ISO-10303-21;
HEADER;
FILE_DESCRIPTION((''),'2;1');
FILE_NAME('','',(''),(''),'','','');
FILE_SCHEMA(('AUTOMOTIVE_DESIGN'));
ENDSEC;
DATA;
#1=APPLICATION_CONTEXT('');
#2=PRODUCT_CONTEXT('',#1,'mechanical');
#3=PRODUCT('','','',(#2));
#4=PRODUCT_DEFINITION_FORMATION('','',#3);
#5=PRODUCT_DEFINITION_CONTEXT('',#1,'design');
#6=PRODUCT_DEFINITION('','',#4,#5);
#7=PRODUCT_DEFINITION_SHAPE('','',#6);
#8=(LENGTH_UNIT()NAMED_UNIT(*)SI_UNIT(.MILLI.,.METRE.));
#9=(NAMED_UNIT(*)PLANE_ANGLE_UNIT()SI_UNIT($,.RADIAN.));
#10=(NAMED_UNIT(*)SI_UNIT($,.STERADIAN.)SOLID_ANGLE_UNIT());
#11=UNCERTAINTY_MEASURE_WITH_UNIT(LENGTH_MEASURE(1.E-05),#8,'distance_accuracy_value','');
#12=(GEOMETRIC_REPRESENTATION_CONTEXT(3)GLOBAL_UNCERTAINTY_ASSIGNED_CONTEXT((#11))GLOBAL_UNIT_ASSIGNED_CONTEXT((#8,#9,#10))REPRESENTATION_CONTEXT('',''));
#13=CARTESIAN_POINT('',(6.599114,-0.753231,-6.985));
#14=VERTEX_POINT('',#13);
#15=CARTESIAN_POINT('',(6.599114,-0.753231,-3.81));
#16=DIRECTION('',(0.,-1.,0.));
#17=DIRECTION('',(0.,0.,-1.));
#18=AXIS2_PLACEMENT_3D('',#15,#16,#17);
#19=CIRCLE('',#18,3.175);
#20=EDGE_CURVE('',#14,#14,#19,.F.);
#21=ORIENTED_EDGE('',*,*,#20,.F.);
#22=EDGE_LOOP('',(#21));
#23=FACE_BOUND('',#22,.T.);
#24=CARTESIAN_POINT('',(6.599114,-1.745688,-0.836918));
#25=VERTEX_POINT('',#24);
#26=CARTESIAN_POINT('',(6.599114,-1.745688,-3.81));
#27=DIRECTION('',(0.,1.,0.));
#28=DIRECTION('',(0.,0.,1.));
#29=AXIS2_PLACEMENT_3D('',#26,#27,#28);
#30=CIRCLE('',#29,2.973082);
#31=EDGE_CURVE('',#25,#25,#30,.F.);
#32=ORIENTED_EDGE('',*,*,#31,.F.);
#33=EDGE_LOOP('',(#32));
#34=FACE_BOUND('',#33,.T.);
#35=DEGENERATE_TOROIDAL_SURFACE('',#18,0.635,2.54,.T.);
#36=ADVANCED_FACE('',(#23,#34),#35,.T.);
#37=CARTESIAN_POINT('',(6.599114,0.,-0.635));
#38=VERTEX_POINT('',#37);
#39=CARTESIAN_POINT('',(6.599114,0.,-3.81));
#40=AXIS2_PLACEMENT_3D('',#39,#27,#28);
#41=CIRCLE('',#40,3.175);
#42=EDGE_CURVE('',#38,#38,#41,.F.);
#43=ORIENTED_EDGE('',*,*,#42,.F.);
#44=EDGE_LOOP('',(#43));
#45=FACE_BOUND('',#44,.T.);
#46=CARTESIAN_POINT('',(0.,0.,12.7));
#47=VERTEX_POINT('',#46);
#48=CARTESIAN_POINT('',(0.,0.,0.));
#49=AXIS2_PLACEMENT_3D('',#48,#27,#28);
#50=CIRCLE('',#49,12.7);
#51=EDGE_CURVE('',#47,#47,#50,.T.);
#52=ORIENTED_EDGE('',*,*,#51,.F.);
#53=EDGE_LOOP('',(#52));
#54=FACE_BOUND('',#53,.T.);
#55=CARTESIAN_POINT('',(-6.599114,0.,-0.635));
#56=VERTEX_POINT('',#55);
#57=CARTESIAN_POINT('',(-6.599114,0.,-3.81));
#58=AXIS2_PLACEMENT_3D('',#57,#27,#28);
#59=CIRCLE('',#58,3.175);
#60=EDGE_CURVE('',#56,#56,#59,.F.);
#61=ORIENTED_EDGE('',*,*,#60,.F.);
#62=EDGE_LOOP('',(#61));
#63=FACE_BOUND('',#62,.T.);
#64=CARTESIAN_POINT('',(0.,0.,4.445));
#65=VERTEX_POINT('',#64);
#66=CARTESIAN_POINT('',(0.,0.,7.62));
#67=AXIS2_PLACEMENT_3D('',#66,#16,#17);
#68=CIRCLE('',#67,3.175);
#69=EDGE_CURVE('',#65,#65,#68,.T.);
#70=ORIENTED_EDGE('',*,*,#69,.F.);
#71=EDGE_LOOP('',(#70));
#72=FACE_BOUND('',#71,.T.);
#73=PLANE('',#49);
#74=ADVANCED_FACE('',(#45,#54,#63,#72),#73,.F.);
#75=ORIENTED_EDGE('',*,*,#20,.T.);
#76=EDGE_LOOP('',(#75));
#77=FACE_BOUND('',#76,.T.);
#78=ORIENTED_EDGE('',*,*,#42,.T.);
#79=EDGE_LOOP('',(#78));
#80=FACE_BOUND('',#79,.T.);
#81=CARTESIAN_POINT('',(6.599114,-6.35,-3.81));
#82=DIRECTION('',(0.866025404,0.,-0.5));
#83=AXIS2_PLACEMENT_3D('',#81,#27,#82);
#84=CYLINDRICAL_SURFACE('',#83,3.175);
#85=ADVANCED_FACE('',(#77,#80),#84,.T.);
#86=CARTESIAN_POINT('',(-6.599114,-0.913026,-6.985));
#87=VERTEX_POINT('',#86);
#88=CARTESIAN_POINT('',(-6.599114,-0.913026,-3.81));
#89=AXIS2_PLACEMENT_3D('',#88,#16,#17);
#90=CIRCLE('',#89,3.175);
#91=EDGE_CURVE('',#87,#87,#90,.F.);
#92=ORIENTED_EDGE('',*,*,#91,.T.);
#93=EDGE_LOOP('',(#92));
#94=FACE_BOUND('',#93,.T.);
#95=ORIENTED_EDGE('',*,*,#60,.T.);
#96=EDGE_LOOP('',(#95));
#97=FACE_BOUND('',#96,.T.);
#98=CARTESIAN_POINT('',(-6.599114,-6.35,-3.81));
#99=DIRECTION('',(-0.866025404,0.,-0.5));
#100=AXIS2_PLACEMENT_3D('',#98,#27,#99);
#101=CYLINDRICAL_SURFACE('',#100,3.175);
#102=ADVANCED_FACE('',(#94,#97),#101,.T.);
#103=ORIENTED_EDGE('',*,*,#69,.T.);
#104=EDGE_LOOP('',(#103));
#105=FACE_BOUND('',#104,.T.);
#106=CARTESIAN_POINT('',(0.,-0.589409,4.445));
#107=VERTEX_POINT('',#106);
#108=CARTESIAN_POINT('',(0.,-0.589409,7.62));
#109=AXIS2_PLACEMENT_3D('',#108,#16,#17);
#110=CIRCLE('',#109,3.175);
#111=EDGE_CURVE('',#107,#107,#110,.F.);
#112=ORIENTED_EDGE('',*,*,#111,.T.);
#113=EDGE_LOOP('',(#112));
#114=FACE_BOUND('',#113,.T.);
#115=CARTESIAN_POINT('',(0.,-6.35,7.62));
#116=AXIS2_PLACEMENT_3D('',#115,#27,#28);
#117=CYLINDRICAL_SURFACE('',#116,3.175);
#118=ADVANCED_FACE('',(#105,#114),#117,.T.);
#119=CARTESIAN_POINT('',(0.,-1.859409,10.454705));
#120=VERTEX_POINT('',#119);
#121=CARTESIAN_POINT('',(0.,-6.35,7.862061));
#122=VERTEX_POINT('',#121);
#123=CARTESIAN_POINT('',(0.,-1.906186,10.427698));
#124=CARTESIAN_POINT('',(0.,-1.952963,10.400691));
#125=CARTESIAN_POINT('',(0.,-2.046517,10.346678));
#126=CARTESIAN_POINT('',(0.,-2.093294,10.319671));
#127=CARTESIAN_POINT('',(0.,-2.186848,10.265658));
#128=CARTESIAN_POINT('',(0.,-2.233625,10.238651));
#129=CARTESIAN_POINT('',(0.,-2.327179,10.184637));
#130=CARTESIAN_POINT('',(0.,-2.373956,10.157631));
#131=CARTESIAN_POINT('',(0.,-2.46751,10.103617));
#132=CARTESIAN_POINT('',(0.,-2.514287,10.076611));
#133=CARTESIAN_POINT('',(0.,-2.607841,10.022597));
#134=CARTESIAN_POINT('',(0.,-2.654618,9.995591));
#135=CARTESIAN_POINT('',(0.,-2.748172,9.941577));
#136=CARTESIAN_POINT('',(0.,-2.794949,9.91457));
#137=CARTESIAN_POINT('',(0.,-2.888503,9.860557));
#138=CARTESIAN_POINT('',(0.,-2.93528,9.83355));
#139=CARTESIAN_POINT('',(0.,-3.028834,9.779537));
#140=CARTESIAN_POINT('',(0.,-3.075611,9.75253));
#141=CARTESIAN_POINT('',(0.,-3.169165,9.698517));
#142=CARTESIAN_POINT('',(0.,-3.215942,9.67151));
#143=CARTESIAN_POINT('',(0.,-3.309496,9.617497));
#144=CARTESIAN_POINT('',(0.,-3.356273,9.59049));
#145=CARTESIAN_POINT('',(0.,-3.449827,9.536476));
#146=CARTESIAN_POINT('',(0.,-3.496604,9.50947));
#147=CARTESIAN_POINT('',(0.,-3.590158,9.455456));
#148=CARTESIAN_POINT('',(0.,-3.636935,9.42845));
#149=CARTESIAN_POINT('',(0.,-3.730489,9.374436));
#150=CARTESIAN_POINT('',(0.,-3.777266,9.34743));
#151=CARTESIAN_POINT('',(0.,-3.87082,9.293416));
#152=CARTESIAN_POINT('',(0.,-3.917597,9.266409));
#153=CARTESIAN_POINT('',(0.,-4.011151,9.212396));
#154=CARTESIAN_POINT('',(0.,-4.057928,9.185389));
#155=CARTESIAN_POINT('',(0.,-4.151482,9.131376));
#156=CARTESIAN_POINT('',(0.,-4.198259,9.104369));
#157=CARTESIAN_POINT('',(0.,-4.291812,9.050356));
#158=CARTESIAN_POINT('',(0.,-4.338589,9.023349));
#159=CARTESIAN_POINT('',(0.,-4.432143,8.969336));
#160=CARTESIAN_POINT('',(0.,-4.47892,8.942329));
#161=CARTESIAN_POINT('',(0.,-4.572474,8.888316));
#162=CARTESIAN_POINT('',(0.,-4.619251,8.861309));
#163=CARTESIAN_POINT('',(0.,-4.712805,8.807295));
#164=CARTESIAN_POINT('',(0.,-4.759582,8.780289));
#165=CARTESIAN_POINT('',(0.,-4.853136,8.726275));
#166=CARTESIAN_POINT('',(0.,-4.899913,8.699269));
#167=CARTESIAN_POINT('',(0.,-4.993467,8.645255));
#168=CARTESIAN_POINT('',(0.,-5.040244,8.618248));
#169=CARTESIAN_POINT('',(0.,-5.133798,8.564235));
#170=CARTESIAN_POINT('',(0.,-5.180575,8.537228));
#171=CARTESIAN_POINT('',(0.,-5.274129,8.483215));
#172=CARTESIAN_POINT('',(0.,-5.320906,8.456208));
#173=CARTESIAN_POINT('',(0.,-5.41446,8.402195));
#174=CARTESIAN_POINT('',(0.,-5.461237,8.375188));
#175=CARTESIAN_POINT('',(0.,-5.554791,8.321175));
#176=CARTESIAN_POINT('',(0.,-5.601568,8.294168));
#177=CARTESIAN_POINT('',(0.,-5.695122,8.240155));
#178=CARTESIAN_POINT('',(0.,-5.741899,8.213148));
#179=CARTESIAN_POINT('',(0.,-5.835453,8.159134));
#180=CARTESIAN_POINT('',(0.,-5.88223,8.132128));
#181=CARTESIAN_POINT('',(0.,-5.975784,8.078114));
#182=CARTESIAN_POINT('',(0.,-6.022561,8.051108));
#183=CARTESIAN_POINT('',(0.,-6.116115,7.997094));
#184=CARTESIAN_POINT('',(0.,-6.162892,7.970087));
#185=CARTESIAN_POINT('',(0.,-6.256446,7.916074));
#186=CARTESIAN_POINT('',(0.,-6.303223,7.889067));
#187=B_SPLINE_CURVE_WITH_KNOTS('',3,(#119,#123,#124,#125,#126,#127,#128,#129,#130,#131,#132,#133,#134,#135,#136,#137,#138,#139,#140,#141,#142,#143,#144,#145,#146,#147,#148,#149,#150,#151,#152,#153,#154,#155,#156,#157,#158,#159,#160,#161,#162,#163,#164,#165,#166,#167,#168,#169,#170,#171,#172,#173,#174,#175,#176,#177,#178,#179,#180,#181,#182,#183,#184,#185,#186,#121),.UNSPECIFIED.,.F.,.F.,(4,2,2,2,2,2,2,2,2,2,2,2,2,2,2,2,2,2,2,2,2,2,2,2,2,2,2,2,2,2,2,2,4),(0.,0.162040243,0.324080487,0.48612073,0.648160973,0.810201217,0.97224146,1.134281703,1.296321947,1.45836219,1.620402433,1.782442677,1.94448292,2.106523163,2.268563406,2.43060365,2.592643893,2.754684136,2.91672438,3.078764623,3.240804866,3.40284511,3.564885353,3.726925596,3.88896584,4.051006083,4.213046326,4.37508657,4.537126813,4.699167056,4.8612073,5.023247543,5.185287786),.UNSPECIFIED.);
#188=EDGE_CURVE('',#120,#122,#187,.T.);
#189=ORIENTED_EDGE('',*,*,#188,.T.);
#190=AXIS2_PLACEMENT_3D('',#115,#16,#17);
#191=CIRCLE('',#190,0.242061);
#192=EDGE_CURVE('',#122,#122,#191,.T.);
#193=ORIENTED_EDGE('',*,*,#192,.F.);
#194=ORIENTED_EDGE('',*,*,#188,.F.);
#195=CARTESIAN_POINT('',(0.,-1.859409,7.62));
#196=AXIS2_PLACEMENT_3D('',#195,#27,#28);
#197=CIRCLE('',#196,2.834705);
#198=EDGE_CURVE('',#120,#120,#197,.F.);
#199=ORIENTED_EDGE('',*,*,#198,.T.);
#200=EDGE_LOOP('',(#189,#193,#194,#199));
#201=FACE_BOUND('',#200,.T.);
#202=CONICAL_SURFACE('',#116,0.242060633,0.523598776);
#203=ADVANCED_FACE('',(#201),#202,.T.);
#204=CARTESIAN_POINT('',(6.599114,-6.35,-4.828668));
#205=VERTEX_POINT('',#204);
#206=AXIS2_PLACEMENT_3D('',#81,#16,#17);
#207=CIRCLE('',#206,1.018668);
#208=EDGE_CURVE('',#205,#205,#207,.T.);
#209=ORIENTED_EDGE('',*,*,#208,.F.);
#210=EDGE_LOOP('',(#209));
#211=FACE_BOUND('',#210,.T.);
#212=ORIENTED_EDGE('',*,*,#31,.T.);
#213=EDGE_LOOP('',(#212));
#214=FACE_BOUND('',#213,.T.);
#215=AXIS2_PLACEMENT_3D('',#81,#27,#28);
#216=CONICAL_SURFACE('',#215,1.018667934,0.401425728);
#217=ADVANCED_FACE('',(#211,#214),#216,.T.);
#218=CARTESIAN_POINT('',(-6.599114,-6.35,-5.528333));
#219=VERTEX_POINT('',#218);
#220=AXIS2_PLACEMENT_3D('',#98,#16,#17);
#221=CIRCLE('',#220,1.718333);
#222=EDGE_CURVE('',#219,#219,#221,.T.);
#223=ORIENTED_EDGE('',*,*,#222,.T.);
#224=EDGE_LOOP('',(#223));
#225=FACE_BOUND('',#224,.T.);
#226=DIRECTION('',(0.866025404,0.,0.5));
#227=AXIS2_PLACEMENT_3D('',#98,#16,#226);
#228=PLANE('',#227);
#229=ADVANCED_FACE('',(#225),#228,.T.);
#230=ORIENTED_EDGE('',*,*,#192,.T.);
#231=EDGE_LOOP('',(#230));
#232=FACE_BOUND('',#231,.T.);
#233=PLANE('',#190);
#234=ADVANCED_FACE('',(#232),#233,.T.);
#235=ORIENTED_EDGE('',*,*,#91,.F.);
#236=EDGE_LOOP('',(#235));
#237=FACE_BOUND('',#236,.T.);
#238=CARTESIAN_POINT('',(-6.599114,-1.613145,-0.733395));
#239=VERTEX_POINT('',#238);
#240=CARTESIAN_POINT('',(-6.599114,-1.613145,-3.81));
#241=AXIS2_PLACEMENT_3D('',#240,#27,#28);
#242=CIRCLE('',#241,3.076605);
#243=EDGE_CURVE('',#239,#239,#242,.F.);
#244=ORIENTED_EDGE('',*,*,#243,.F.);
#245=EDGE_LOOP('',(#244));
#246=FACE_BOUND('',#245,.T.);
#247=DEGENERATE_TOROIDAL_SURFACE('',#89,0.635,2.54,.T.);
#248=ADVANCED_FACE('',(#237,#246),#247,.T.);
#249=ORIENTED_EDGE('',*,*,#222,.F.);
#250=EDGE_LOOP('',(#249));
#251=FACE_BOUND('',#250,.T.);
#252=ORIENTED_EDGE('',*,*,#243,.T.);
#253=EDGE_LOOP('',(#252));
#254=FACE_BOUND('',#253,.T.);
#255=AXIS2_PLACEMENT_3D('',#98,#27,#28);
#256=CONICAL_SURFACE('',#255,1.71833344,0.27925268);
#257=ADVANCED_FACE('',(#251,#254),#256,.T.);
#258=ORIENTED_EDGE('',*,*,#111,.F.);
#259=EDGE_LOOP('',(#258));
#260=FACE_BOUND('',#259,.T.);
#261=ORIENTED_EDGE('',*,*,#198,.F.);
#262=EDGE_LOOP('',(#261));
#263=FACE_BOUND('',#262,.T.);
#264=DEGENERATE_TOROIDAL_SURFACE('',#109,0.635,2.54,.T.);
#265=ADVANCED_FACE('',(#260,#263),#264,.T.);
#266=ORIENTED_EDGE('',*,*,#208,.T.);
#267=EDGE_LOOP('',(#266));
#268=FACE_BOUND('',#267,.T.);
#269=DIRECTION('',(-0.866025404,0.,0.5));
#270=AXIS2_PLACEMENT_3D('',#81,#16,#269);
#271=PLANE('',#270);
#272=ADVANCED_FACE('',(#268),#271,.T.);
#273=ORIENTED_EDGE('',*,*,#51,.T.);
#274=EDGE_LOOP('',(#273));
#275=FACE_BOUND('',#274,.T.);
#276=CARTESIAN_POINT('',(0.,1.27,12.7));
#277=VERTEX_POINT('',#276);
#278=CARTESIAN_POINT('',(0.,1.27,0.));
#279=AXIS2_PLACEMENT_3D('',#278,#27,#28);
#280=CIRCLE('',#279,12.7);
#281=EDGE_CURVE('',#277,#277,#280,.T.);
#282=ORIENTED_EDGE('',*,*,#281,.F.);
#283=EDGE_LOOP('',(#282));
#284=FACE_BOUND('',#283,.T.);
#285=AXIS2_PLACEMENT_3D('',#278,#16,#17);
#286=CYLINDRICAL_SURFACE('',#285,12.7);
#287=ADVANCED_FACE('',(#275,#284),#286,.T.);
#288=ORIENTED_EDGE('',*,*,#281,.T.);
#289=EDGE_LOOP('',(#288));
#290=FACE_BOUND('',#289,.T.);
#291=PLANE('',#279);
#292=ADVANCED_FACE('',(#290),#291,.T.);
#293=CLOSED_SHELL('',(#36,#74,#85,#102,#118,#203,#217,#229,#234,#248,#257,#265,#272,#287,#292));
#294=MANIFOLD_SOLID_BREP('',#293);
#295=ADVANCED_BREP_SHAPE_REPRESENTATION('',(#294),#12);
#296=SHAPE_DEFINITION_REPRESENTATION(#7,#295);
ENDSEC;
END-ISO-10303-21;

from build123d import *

# Parameters (mm, degrees)
SKETCH2_R           = 12.7
BOSS_EXTRUDE1_DEPTH = 1.27
SKETCH3_R           = 3.175
BOSS_EXTRUDE2_DEPTH = 6.35
CIRPATTERN1_COUNT   = 3
CHAMFER1_SIZE       = 5.08
CHAMFER1_SIZE2      = 2.932939367
CHAMFER2_SIZE       = 5.08
CHAMFER2_SIZE2      = 2.156332066
CHAMFER3_SIZE       = 5.08
CHAMFER3_SIZE2      = 1.45666656
FILLET1_R           = 2.54


with BuildPart() as part:
    # Sketch2 → Boss-Extrude1 (new body)
    with BuildSketch(Plane(origin=(0, 0, 0), x_dir=(1, 0, 0), z_dir=(0, 1, 0))):
        with Locations(Location((0, 0, 0), (0, 0, 270))):
            Circle(SKETCH2_R)
    extrude(amount=BOSS_EXTRUDE1_DEPTH)

    # Sketch3 → Boss-Extrude2 (add)
    with BuildSketch(Plane.XZ):
        with Locations(Location((0, 7.62, 0), (0, 0, 270))):
            Circle(SKETCH3_R)
    boss_extrude2 = extrude(amount=BOSS_EXTRUDE2_DEPTH)

    # CirPattern1: Boss-Extrude2 ×3 about axis
    cirpattern1_axis = Axis((0, 0, 0), (0, 1, 0))
    for i in range(1, CIRPATTERN1_COUNT):
        add(boss_extrude2.rotate(cirpattern1_axis, i * 360 / CIRPATTERN1_COUNT))

    # Chamfer1
    chamfer1_edges = [part.edges().sort_by_distance(p)[0] for p in [
        (0, -6.35, 10.795),
    ]]
    chamfer1_side = [part.faces().sort_by_distance(p)[0] for p in [
        (0, -3.175, 10.795),
    ]]
    chamfer(chamfer1_edges, length=CHAMFER1_SIZE, length2=CHAMFER1_SIZE2, reference=chamfer1_side[0])

    # Chamfer2
    chamfer2_edges = [part.edges().sort_by_distance(p)[0] for p in [
        (9.348744234, -6.35, -5.3975),
    ]]
    chamfer2_side = [part.faces().sort_by_distance(p)[0] for p in [
        (9.348744234, -3.175, -5.3975),
    ]]
    chamfer(chamfer2_edges, length=CHAMFER2_SIZE, length2=CHAMFER2_SIZE2, reference=chamfer2_side[0])

    # Chamfer3
    chamfer3_edges = [part.edges().sort_by_distance(p)[0] for p in [
        (-9.348744234, -6.35, -5.3975),
    ]]
    chamfer3_side = [part.faces().sort_by_distance(p)[0] for p in [
        (-9.348744234, -3.175, -5.3975),
    ]]
    chamfer(chamfer3_edges, length=CHAMFER3_SIZE, length2=CHAMFER3_SIZE2, reference=chamfer3_side[0])

    # Fillet1
    fillet1_edges = [part.edges().sort_by_distance(p)[0] for p in [
        (0, -1.27, 10.795),
        (9.348744234, -1.27, -5.3975),
        (-9.348744234, -1.27, -5.3975),
    ]]
    fillet(fillet1_edges, radius=FILLET1_R)


solid = part.part
